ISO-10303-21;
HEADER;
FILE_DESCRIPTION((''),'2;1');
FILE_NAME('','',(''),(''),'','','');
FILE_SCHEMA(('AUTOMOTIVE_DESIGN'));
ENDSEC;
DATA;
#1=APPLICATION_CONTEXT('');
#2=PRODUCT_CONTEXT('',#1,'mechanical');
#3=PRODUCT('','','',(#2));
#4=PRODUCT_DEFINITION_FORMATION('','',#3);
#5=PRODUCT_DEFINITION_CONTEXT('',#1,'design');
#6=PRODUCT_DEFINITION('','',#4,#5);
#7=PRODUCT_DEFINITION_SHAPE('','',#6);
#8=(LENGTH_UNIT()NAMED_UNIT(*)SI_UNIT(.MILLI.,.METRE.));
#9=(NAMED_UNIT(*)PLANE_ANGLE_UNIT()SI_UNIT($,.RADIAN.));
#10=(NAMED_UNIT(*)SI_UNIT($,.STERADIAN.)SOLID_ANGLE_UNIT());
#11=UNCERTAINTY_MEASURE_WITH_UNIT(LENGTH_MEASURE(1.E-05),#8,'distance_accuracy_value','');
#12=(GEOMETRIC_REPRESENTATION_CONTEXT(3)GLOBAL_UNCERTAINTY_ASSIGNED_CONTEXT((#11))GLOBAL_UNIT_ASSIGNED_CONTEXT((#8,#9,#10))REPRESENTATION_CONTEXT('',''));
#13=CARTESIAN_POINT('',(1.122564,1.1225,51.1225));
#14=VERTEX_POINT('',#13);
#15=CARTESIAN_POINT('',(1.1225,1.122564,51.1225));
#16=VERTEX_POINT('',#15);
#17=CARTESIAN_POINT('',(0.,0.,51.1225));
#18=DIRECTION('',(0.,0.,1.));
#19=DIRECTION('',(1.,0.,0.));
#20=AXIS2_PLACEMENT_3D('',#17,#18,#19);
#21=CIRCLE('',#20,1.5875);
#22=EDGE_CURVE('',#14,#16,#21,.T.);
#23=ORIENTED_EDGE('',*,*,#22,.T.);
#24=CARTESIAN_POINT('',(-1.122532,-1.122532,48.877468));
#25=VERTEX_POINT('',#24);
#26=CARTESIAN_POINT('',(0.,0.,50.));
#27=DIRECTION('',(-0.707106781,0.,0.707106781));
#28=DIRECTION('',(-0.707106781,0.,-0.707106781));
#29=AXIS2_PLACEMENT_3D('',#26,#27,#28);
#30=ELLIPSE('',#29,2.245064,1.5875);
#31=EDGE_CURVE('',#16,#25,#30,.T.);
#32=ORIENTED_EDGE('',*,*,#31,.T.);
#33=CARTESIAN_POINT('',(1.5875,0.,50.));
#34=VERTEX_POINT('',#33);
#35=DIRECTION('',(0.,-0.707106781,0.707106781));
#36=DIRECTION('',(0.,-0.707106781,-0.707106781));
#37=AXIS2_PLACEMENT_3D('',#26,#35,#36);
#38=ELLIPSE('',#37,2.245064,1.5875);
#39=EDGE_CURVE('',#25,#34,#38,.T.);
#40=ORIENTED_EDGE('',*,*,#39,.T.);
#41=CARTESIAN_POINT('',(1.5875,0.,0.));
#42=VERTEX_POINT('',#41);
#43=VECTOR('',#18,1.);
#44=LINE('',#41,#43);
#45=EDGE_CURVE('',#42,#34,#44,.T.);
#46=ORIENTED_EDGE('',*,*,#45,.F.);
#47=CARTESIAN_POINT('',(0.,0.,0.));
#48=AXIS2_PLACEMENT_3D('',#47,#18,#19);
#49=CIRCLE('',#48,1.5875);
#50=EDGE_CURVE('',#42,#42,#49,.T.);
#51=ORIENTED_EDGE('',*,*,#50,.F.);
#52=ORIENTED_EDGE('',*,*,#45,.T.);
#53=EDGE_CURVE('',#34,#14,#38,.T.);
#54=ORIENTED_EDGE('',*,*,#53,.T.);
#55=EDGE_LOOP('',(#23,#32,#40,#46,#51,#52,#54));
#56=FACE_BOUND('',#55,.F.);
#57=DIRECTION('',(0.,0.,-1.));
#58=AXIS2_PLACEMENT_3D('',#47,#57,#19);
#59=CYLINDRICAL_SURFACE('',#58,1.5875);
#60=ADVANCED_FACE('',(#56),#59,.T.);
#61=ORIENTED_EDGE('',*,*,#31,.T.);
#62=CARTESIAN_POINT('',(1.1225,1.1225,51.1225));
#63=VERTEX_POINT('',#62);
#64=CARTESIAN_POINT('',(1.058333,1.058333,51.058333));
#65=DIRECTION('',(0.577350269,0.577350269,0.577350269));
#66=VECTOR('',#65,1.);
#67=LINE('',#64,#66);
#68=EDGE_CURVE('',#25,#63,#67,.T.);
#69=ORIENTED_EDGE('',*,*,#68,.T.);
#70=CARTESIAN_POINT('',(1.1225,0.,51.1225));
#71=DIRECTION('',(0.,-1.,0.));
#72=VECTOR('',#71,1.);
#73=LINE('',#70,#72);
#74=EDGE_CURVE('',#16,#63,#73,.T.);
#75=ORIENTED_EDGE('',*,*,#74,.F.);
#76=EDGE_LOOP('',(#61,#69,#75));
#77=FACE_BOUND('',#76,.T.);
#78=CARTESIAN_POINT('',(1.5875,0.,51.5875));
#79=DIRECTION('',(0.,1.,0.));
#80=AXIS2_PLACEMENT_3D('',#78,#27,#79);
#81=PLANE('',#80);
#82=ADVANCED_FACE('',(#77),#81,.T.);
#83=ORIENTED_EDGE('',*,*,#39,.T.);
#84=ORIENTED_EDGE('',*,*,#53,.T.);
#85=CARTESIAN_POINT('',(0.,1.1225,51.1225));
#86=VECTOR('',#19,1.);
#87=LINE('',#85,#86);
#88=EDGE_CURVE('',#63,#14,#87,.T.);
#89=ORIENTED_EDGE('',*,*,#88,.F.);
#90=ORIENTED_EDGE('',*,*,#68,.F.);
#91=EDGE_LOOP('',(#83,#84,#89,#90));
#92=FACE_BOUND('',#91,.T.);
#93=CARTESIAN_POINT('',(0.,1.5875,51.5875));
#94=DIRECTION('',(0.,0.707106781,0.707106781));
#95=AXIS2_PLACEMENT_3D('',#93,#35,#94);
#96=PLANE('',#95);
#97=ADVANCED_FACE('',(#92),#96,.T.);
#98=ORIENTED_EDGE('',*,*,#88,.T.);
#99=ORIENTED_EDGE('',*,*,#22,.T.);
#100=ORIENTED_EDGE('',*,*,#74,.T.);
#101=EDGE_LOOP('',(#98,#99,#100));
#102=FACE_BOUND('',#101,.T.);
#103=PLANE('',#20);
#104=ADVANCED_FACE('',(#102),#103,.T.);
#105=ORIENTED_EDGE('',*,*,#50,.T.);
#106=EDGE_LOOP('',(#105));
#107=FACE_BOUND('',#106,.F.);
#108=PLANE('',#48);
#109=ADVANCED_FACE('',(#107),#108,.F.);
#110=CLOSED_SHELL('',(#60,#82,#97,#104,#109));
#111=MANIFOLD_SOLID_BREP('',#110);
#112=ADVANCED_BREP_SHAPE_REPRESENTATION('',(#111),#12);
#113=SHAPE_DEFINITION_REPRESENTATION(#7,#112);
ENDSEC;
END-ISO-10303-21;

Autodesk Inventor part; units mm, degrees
ref_plane "Start Plane" through (0, 0, 0) normal (0, 0, 1) x (1, 0, 0)
ref_plane "End Plane" through (0, 0, 51.1225) normal (0, 0, 1) x (1, 0, 0)
sketch "Sketch" plane through (0, 0, 0) normal (0, 0, 1) x (1, 0, 0)
  circle A0 centre (0, 0) radius 1.5875
  dimension "d0" = 3.175
extrude "Body" add sketch "Sketch" along normal up to surface (51.1225 mm away) from surface at 0
sketch "Sketch2" plane through (0, 0, 0) normal (0, 0, 1) x (1, 0, 0)
  line L0 (0, 0) -> (10, 0)
ref_plane "Work Plane3" through (0, 0, 0) normal (0, -1, 0) x (1, 0, 0)
sketch "Sketch3" plane through (0, 0, 0) normal (0, -1, 0) x (1, 0, 0)
  line L0 (-2, 0) -> (12, 0)
  line L1 (-2, 51.1225) -> (12, 51.1225)
  dimension "d7" = 51.1225
ref_plane "Work Plane4" through (1.5875, 0, 51.5875) normal (-0.7071, 0, 0.7071) x (0.7071, 0, 0.7071)
split "Split1" plane through (1.5875, 0, 51.5875) removes the side toward (-0.7071, 0, 0.7071)
ref_plane "Work Plane5" through (0, 1.5875, 51.5875) normal (0, -0.7071, 0.7071) x (1, 0, 0)
split "Split2" plane through (0, 1.5875, 51.5875) removes the side toward (0, -0.7071, 0.7071)
equation "\"d0\" = Diam"
equation "\"d1\" = G_L"
equation "\"Diam\" = 3.175"
equation "\"G_L\" = d7"
equation "\"G_OFFSET_START\" = 0"
equation "\"G_OFFSET_END\" = 1.12253"
equation "\"d5\" = G_OFFSET_END + B_L"
equation "\"B_L\" = 50"
properties part number "ANSI/AISC Rolled Steel - 1/8-2,013, RB" material "Steel, Mild"
